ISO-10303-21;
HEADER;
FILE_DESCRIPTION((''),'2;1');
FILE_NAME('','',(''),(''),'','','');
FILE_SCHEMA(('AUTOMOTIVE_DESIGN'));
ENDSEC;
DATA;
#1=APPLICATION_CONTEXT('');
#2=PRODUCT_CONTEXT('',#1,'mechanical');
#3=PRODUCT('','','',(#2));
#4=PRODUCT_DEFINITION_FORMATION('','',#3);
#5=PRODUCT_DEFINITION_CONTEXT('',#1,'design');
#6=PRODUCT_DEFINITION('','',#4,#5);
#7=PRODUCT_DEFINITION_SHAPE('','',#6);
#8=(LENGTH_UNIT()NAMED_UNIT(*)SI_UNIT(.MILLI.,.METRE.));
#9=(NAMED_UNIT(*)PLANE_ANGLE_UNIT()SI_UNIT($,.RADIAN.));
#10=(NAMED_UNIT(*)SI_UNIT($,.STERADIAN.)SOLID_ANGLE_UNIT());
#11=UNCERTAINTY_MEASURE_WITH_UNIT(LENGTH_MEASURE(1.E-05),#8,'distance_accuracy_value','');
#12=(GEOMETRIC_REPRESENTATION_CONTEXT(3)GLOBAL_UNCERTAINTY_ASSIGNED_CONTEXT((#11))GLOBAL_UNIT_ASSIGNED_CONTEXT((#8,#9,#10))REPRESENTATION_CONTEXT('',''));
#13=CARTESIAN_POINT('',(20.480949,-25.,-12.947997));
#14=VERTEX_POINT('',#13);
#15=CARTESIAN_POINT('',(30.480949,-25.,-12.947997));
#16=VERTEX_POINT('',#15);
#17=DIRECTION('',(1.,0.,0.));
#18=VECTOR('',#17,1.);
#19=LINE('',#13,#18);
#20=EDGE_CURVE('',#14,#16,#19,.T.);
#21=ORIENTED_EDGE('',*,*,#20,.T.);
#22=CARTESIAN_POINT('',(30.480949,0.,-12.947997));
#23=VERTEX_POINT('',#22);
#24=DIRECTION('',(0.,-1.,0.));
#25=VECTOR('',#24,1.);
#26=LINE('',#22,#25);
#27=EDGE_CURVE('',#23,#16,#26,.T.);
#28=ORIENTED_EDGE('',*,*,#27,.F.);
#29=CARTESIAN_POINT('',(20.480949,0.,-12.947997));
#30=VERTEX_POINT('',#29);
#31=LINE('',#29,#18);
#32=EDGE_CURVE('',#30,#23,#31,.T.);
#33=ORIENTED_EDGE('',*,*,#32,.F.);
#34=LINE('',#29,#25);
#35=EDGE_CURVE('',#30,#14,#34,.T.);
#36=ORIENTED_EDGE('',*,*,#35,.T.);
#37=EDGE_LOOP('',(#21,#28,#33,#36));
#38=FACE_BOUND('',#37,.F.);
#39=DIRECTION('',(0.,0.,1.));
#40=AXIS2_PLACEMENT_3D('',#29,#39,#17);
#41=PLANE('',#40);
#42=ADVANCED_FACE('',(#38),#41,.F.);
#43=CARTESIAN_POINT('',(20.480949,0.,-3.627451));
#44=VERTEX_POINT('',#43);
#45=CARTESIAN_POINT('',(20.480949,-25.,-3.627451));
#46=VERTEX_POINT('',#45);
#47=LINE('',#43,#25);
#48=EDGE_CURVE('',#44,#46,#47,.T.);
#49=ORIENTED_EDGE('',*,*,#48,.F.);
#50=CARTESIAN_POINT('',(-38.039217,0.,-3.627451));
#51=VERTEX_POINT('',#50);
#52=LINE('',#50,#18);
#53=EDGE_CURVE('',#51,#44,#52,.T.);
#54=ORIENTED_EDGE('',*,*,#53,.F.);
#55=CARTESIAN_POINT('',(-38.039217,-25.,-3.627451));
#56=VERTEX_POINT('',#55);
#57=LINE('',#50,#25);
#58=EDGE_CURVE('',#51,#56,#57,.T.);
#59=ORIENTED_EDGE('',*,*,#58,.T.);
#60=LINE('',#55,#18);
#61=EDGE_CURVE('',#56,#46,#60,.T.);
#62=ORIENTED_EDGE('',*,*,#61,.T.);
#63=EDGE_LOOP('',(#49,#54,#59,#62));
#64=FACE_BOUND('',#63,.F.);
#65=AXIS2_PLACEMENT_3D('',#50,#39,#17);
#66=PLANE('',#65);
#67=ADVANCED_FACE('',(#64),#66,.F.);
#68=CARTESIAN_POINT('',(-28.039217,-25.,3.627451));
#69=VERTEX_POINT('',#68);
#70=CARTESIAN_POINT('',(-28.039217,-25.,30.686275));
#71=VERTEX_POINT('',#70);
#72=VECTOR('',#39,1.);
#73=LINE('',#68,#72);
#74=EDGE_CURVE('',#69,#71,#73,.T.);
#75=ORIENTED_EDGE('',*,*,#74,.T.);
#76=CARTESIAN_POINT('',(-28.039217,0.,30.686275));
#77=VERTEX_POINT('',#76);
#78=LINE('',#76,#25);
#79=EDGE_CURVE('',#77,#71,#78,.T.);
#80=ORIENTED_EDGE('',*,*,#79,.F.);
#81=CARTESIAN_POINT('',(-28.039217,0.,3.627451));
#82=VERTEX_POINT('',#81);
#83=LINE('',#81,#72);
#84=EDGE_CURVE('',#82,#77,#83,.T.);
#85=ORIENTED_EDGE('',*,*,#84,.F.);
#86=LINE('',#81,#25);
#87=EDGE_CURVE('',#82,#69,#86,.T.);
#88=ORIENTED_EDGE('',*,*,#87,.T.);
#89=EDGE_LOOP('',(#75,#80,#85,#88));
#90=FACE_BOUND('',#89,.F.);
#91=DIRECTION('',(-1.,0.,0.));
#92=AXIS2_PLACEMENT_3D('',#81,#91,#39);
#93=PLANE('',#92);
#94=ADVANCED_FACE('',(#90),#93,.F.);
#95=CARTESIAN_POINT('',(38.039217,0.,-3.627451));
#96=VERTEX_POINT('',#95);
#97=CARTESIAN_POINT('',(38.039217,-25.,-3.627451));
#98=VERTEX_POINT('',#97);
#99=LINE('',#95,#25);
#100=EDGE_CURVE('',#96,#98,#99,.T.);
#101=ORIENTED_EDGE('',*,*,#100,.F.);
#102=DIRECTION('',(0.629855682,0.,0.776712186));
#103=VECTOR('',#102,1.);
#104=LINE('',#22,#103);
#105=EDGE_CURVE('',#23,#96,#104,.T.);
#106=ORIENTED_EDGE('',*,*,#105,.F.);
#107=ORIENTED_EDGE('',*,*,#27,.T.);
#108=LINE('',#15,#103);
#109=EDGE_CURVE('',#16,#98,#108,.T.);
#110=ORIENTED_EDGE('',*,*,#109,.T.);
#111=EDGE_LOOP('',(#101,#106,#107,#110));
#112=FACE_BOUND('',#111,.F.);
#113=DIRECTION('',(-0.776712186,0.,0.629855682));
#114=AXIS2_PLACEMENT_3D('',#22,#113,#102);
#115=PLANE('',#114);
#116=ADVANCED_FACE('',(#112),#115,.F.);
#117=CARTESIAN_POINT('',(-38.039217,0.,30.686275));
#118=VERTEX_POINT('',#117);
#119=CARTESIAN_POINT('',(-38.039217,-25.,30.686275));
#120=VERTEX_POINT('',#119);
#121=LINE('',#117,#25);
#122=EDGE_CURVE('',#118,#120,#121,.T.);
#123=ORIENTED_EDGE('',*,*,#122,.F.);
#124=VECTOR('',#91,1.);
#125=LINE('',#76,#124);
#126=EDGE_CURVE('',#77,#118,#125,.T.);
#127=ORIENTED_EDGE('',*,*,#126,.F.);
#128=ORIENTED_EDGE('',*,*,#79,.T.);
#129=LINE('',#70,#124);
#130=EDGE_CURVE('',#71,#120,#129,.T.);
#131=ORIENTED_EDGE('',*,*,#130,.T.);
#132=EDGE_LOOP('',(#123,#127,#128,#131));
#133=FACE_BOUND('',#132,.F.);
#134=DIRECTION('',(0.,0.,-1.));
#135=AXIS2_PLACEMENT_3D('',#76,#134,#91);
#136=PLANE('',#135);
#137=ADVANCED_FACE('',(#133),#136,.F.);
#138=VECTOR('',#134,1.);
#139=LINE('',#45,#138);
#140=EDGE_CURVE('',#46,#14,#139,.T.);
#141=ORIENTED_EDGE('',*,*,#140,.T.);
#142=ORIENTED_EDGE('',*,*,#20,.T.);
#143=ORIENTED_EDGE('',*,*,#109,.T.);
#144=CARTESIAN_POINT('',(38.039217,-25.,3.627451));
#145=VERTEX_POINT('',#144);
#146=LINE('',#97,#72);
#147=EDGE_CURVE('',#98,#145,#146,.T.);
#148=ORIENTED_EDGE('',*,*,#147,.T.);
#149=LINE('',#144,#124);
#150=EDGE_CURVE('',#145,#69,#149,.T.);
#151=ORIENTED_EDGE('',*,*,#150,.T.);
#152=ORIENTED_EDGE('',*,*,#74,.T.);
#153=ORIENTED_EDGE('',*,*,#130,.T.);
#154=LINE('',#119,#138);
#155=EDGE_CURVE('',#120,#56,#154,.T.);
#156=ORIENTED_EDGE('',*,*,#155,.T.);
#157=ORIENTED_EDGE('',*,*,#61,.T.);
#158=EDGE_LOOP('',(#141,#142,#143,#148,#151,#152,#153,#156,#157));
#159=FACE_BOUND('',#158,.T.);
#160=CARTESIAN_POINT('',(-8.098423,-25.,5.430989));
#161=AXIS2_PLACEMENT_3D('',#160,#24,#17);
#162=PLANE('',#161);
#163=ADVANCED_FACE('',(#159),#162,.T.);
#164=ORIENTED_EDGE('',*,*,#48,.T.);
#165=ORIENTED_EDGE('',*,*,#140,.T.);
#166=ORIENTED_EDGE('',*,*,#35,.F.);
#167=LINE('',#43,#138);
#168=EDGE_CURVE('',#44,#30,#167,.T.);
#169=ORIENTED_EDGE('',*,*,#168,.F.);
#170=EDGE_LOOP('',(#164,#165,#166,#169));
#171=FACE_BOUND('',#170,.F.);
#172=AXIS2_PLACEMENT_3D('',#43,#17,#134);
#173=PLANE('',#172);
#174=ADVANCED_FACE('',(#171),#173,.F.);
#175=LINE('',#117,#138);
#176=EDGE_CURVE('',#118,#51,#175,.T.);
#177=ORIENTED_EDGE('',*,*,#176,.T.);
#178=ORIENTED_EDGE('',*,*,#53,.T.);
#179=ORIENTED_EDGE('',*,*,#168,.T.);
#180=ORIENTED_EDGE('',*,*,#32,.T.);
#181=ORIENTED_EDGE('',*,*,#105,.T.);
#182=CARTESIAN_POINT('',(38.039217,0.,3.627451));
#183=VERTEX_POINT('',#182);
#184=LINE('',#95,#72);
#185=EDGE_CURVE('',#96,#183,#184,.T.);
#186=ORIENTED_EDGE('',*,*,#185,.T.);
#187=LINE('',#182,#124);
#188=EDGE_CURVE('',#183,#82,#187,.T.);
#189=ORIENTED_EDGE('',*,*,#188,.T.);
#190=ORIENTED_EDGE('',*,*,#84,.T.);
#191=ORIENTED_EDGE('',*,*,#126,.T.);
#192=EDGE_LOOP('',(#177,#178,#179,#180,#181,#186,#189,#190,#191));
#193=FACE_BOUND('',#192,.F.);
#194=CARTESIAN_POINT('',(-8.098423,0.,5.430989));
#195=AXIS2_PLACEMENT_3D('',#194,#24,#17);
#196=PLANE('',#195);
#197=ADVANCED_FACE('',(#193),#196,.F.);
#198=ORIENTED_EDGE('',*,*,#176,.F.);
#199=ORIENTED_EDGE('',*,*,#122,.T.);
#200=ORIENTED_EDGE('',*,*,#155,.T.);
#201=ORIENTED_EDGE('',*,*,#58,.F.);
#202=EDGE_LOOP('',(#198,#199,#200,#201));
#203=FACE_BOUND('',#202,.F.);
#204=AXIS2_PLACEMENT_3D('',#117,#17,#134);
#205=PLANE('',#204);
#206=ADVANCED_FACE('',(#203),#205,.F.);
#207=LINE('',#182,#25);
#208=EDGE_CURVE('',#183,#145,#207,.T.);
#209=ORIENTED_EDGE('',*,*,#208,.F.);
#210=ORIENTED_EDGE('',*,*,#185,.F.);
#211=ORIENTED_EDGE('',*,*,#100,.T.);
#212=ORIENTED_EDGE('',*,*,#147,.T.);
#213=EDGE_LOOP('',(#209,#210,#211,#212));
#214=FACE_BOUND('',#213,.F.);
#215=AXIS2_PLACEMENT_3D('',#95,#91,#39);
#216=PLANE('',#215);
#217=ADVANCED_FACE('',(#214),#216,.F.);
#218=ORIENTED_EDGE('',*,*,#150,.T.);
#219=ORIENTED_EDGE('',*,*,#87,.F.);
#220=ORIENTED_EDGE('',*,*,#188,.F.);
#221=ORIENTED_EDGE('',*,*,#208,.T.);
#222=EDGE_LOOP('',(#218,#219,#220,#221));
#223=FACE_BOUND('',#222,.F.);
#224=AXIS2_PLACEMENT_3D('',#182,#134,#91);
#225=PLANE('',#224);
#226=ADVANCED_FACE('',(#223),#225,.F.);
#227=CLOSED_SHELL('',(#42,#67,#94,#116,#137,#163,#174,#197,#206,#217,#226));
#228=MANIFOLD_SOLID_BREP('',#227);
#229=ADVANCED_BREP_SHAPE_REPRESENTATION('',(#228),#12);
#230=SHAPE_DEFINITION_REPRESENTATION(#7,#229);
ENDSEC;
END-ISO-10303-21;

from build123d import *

# Parameters (mm, degrees)
F1_DEPTH = 25


with BuildPart() as f1:
    # F0 (on Front) → F1 (new body)
    with BuildSketch(Plane.XZ):
        Polygon((38.039217, -3.627451), (38.039217, 3.627451), (-28.039217, 3.627451), (-28.039217, 30.686275), (-38.039217, 30.686275), (-38.039217, 3.627451), (-38.039217, -3.627451), (20.480949, -3.627451), align=None)
        Polygon((30.480949, -12.947997), (38.039217, -3.627451), (20.480949, -3.627451), (20.480949, -12.947997), align=None)
    extrude(amount=F1_DEPTH)


solid = f1.part
